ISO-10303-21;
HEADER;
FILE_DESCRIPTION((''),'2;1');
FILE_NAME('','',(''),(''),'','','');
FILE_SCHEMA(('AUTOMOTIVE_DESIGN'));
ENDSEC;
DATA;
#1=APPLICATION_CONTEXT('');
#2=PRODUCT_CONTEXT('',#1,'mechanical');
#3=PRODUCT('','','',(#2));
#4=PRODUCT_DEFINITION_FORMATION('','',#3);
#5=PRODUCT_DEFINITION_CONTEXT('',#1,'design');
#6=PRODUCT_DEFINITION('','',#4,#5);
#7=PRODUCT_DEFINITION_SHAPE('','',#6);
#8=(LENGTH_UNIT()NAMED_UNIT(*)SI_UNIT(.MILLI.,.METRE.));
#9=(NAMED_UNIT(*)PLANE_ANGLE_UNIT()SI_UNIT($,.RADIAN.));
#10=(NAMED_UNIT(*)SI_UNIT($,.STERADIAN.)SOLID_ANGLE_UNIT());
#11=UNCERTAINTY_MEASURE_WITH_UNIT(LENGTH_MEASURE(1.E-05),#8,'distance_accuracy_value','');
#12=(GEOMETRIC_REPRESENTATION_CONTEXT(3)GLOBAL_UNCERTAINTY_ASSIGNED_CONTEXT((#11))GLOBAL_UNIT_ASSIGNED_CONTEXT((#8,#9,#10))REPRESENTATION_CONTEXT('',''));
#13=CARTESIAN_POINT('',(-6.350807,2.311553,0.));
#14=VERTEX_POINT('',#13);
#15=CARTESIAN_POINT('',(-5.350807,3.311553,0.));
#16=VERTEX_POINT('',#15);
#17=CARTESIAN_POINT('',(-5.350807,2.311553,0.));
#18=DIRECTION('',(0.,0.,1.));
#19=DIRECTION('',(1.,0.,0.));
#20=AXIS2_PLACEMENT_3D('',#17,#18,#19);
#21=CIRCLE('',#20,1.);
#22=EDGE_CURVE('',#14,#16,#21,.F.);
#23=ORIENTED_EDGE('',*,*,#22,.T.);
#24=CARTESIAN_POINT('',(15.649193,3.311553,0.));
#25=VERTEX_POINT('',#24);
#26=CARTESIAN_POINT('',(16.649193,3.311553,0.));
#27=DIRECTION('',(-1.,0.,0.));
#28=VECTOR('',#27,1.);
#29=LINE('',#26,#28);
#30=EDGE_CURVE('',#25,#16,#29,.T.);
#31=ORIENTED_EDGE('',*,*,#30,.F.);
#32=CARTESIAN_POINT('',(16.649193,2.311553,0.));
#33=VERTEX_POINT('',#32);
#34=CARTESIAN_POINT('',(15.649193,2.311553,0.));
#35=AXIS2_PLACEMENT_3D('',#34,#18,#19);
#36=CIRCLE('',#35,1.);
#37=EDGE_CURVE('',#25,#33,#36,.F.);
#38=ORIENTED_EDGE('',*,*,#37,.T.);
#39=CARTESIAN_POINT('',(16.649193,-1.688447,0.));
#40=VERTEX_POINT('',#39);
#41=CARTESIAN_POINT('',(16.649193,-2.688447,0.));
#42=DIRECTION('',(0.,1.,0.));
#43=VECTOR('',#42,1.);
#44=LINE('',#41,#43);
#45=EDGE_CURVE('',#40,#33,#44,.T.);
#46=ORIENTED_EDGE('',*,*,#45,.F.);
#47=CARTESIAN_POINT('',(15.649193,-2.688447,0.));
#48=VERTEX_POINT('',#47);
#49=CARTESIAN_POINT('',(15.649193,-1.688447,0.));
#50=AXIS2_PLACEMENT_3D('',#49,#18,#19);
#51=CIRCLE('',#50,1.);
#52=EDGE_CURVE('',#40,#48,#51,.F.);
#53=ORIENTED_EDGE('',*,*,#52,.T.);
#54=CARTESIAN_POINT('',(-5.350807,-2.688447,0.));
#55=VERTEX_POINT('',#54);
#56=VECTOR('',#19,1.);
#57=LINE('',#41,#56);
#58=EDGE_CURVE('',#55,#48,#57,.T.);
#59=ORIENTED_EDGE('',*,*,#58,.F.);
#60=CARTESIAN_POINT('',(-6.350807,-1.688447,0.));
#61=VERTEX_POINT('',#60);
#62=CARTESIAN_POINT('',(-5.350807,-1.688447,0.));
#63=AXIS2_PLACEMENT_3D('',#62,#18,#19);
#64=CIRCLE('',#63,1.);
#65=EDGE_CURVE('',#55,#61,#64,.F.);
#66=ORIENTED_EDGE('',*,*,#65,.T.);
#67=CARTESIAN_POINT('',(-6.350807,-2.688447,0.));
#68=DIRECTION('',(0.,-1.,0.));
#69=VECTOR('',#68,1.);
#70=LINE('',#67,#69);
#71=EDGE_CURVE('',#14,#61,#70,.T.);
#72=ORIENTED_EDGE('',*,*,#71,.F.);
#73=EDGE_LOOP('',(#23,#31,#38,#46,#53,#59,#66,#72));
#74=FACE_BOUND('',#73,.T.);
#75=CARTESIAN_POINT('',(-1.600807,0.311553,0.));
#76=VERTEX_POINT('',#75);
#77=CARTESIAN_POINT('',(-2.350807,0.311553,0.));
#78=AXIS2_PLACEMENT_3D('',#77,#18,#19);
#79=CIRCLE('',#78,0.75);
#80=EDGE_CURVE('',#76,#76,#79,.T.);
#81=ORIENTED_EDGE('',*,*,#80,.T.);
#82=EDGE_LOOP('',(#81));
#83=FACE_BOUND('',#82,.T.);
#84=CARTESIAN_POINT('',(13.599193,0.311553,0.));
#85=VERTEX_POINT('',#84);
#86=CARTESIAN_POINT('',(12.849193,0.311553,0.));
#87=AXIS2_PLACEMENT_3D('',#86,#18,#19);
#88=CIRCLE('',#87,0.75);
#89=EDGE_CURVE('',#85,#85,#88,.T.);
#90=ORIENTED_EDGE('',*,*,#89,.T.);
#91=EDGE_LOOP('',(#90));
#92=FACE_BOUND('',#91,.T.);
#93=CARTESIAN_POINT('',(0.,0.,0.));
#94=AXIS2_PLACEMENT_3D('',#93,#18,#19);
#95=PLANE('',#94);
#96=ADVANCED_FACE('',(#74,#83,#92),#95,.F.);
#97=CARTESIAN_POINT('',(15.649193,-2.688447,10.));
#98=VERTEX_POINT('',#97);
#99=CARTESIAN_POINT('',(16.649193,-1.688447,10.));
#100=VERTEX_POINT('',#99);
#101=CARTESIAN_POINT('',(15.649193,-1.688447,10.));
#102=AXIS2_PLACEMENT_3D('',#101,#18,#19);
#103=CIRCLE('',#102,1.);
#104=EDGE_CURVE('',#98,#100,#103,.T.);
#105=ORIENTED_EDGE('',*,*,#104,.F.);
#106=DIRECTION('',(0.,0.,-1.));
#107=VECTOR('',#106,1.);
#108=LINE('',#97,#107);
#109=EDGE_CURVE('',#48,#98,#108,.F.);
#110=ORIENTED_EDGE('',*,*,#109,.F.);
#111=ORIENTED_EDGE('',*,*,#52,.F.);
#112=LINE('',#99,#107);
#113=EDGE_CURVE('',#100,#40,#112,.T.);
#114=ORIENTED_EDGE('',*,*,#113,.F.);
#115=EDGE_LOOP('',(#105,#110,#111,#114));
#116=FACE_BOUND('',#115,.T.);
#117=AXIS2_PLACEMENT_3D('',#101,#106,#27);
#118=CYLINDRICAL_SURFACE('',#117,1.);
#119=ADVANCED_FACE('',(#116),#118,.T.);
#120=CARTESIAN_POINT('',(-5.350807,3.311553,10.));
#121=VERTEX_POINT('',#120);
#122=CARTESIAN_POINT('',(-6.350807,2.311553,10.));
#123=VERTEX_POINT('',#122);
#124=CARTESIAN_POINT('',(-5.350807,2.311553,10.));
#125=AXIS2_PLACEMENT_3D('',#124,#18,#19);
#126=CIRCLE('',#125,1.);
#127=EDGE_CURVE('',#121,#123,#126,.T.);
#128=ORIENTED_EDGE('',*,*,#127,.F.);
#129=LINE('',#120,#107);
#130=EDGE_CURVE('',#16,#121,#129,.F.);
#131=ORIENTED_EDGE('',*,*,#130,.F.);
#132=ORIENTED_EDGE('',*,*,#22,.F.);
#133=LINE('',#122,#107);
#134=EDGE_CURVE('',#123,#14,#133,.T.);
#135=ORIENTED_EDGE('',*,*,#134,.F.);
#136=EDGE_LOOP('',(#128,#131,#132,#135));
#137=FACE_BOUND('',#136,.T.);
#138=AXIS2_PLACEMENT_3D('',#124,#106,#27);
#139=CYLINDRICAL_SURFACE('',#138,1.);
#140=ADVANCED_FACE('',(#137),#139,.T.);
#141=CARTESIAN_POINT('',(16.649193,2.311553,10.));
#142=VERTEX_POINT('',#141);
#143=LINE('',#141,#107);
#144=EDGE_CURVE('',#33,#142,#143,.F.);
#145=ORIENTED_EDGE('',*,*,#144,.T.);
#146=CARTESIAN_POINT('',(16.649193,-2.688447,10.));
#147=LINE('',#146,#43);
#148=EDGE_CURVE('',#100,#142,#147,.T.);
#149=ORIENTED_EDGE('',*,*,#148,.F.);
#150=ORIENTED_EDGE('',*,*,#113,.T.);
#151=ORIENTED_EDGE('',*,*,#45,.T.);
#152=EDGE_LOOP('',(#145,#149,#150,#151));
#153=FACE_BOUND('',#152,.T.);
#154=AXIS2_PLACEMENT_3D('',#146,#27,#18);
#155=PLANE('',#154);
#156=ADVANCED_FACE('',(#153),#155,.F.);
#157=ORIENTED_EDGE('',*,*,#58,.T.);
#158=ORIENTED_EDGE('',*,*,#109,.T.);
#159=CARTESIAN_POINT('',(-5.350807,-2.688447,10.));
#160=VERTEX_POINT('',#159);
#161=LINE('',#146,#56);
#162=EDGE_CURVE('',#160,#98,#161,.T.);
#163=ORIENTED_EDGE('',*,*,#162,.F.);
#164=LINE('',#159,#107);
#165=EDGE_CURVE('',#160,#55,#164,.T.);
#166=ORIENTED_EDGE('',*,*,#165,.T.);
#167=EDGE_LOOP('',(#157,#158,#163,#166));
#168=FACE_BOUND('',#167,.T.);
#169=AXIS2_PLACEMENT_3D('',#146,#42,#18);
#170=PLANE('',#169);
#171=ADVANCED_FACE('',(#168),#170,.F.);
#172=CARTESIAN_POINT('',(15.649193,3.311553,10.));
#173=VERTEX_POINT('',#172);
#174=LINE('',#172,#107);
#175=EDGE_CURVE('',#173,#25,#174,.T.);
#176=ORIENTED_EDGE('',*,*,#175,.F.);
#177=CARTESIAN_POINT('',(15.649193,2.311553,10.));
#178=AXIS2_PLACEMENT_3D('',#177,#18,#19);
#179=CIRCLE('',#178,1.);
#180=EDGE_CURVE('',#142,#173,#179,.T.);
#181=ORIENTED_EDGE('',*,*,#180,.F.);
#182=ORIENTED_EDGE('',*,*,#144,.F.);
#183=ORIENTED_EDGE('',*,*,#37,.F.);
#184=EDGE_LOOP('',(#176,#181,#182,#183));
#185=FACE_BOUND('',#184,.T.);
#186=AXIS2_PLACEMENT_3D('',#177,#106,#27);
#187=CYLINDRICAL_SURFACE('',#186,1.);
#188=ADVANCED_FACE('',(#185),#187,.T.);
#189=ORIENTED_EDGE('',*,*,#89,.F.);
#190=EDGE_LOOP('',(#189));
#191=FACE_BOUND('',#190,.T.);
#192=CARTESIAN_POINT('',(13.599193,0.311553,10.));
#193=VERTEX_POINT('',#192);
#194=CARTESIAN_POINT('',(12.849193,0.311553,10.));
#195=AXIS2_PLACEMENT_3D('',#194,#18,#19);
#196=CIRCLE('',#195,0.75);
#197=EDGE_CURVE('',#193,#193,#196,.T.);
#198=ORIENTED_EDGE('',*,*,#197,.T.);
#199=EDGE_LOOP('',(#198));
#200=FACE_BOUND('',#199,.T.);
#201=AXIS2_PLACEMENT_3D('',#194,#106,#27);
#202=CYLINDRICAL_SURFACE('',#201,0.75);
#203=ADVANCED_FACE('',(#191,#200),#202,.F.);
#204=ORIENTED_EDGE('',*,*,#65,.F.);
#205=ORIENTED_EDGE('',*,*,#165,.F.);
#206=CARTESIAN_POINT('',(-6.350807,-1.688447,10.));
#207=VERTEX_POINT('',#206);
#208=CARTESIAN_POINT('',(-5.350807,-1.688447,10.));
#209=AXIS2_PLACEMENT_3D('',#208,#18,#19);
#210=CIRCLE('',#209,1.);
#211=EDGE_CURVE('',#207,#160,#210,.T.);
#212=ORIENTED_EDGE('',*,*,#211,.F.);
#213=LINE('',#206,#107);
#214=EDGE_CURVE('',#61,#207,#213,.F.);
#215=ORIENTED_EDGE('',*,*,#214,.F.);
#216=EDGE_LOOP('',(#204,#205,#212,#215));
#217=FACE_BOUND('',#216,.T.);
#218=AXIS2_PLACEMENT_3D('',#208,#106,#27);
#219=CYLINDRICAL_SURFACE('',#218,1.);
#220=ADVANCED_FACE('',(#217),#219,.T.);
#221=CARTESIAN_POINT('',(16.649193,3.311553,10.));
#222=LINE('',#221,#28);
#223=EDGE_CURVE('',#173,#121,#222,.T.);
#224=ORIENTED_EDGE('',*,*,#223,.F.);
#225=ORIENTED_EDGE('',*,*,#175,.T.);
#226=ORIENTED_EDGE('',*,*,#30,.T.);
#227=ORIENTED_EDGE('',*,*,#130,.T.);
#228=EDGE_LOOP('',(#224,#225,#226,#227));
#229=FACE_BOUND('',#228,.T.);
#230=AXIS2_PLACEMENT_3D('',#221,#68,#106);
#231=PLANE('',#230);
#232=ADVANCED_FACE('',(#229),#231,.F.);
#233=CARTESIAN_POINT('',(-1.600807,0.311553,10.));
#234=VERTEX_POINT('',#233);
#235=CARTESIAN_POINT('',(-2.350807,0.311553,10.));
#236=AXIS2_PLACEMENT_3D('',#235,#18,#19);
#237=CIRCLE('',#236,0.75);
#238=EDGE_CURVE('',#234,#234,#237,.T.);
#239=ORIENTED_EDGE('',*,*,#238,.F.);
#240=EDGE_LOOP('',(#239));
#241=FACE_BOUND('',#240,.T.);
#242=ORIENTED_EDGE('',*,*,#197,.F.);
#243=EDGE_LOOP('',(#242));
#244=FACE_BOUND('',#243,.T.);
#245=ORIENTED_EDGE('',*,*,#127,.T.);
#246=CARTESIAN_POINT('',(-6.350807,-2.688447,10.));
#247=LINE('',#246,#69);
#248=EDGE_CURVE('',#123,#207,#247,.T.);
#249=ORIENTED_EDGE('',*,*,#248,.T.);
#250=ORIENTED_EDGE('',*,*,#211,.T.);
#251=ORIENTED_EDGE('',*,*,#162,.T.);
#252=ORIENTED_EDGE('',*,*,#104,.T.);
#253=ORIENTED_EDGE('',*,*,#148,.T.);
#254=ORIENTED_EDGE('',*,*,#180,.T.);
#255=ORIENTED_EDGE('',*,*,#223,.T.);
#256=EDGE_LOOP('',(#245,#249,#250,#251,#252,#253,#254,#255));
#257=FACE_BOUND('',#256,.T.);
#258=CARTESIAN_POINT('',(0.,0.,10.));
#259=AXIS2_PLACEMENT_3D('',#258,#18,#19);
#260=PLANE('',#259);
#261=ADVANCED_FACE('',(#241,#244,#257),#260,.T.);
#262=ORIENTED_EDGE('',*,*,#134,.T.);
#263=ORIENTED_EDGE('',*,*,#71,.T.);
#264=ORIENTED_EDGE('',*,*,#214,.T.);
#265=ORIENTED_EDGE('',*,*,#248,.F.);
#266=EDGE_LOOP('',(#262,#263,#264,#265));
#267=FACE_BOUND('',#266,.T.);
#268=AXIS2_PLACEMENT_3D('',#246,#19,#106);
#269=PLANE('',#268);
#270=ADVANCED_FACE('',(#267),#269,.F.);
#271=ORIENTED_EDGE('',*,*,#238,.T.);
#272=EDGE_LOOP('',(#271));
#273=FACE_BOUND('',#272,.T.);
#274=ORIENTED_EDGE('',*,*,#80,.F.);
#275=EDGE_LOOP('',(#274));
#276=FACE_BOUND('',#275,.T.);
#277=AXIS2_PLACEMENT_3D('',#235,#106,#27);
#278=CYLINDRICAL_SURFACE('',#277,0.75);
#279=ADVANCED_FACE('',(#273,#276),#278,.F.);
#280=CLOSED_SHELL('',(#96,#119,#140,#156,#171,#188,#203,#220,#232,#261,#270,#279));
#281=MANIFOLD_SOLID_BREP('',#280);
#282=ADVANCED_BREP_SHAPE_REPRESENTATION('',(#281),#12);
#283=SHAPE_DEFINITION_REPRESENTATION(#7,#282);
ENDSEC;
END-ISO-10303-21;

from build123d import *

# Parameters (mm, degrees)
CROQUIS1_W              = 23
CROQUIS1_H              = 6
CROQUIS1_R              = 0.75
SALIENTE_EXTRUIR1_DEPTH = 10
REDONDEO1_R             = 1


with BuildPart() as part:
    # Croquis1 → Saliente-Extruir1 (new body)
    with BuildSketch(Plane.XY):
        with Locations((5.149192547, 0.311552795)):
            Rectangle(CROQUIS1_W, CROQUIS1_H)
        with Locations((-2.350807453, 0.311552795)):
            Circle(CROQUIS1_R, mode=Mode.SUBTRACT)
        with Locations((12.849192547, 0.311552795)):
            Circle(CROQUIS1_R, mode=Mode.SUBTRACT)
    extrude(amount=SALIENTE_EXTRUIR1_DEPTH)

    # Redondeo1
    redondeo1_edges = [part.edges().sort_by_distance(p)[0] for p in [
        (16.649192547, -2.688447205, 5),
        (-6.350807453, -2.688447205, 5),
        (-6.350807453, 3.311552795, 5),
        (16.649192547, 3.311552795, 5),
    ]]
    fillet(redondeo1_edges, radius=REDONDEO1_R)


solid = part.part
